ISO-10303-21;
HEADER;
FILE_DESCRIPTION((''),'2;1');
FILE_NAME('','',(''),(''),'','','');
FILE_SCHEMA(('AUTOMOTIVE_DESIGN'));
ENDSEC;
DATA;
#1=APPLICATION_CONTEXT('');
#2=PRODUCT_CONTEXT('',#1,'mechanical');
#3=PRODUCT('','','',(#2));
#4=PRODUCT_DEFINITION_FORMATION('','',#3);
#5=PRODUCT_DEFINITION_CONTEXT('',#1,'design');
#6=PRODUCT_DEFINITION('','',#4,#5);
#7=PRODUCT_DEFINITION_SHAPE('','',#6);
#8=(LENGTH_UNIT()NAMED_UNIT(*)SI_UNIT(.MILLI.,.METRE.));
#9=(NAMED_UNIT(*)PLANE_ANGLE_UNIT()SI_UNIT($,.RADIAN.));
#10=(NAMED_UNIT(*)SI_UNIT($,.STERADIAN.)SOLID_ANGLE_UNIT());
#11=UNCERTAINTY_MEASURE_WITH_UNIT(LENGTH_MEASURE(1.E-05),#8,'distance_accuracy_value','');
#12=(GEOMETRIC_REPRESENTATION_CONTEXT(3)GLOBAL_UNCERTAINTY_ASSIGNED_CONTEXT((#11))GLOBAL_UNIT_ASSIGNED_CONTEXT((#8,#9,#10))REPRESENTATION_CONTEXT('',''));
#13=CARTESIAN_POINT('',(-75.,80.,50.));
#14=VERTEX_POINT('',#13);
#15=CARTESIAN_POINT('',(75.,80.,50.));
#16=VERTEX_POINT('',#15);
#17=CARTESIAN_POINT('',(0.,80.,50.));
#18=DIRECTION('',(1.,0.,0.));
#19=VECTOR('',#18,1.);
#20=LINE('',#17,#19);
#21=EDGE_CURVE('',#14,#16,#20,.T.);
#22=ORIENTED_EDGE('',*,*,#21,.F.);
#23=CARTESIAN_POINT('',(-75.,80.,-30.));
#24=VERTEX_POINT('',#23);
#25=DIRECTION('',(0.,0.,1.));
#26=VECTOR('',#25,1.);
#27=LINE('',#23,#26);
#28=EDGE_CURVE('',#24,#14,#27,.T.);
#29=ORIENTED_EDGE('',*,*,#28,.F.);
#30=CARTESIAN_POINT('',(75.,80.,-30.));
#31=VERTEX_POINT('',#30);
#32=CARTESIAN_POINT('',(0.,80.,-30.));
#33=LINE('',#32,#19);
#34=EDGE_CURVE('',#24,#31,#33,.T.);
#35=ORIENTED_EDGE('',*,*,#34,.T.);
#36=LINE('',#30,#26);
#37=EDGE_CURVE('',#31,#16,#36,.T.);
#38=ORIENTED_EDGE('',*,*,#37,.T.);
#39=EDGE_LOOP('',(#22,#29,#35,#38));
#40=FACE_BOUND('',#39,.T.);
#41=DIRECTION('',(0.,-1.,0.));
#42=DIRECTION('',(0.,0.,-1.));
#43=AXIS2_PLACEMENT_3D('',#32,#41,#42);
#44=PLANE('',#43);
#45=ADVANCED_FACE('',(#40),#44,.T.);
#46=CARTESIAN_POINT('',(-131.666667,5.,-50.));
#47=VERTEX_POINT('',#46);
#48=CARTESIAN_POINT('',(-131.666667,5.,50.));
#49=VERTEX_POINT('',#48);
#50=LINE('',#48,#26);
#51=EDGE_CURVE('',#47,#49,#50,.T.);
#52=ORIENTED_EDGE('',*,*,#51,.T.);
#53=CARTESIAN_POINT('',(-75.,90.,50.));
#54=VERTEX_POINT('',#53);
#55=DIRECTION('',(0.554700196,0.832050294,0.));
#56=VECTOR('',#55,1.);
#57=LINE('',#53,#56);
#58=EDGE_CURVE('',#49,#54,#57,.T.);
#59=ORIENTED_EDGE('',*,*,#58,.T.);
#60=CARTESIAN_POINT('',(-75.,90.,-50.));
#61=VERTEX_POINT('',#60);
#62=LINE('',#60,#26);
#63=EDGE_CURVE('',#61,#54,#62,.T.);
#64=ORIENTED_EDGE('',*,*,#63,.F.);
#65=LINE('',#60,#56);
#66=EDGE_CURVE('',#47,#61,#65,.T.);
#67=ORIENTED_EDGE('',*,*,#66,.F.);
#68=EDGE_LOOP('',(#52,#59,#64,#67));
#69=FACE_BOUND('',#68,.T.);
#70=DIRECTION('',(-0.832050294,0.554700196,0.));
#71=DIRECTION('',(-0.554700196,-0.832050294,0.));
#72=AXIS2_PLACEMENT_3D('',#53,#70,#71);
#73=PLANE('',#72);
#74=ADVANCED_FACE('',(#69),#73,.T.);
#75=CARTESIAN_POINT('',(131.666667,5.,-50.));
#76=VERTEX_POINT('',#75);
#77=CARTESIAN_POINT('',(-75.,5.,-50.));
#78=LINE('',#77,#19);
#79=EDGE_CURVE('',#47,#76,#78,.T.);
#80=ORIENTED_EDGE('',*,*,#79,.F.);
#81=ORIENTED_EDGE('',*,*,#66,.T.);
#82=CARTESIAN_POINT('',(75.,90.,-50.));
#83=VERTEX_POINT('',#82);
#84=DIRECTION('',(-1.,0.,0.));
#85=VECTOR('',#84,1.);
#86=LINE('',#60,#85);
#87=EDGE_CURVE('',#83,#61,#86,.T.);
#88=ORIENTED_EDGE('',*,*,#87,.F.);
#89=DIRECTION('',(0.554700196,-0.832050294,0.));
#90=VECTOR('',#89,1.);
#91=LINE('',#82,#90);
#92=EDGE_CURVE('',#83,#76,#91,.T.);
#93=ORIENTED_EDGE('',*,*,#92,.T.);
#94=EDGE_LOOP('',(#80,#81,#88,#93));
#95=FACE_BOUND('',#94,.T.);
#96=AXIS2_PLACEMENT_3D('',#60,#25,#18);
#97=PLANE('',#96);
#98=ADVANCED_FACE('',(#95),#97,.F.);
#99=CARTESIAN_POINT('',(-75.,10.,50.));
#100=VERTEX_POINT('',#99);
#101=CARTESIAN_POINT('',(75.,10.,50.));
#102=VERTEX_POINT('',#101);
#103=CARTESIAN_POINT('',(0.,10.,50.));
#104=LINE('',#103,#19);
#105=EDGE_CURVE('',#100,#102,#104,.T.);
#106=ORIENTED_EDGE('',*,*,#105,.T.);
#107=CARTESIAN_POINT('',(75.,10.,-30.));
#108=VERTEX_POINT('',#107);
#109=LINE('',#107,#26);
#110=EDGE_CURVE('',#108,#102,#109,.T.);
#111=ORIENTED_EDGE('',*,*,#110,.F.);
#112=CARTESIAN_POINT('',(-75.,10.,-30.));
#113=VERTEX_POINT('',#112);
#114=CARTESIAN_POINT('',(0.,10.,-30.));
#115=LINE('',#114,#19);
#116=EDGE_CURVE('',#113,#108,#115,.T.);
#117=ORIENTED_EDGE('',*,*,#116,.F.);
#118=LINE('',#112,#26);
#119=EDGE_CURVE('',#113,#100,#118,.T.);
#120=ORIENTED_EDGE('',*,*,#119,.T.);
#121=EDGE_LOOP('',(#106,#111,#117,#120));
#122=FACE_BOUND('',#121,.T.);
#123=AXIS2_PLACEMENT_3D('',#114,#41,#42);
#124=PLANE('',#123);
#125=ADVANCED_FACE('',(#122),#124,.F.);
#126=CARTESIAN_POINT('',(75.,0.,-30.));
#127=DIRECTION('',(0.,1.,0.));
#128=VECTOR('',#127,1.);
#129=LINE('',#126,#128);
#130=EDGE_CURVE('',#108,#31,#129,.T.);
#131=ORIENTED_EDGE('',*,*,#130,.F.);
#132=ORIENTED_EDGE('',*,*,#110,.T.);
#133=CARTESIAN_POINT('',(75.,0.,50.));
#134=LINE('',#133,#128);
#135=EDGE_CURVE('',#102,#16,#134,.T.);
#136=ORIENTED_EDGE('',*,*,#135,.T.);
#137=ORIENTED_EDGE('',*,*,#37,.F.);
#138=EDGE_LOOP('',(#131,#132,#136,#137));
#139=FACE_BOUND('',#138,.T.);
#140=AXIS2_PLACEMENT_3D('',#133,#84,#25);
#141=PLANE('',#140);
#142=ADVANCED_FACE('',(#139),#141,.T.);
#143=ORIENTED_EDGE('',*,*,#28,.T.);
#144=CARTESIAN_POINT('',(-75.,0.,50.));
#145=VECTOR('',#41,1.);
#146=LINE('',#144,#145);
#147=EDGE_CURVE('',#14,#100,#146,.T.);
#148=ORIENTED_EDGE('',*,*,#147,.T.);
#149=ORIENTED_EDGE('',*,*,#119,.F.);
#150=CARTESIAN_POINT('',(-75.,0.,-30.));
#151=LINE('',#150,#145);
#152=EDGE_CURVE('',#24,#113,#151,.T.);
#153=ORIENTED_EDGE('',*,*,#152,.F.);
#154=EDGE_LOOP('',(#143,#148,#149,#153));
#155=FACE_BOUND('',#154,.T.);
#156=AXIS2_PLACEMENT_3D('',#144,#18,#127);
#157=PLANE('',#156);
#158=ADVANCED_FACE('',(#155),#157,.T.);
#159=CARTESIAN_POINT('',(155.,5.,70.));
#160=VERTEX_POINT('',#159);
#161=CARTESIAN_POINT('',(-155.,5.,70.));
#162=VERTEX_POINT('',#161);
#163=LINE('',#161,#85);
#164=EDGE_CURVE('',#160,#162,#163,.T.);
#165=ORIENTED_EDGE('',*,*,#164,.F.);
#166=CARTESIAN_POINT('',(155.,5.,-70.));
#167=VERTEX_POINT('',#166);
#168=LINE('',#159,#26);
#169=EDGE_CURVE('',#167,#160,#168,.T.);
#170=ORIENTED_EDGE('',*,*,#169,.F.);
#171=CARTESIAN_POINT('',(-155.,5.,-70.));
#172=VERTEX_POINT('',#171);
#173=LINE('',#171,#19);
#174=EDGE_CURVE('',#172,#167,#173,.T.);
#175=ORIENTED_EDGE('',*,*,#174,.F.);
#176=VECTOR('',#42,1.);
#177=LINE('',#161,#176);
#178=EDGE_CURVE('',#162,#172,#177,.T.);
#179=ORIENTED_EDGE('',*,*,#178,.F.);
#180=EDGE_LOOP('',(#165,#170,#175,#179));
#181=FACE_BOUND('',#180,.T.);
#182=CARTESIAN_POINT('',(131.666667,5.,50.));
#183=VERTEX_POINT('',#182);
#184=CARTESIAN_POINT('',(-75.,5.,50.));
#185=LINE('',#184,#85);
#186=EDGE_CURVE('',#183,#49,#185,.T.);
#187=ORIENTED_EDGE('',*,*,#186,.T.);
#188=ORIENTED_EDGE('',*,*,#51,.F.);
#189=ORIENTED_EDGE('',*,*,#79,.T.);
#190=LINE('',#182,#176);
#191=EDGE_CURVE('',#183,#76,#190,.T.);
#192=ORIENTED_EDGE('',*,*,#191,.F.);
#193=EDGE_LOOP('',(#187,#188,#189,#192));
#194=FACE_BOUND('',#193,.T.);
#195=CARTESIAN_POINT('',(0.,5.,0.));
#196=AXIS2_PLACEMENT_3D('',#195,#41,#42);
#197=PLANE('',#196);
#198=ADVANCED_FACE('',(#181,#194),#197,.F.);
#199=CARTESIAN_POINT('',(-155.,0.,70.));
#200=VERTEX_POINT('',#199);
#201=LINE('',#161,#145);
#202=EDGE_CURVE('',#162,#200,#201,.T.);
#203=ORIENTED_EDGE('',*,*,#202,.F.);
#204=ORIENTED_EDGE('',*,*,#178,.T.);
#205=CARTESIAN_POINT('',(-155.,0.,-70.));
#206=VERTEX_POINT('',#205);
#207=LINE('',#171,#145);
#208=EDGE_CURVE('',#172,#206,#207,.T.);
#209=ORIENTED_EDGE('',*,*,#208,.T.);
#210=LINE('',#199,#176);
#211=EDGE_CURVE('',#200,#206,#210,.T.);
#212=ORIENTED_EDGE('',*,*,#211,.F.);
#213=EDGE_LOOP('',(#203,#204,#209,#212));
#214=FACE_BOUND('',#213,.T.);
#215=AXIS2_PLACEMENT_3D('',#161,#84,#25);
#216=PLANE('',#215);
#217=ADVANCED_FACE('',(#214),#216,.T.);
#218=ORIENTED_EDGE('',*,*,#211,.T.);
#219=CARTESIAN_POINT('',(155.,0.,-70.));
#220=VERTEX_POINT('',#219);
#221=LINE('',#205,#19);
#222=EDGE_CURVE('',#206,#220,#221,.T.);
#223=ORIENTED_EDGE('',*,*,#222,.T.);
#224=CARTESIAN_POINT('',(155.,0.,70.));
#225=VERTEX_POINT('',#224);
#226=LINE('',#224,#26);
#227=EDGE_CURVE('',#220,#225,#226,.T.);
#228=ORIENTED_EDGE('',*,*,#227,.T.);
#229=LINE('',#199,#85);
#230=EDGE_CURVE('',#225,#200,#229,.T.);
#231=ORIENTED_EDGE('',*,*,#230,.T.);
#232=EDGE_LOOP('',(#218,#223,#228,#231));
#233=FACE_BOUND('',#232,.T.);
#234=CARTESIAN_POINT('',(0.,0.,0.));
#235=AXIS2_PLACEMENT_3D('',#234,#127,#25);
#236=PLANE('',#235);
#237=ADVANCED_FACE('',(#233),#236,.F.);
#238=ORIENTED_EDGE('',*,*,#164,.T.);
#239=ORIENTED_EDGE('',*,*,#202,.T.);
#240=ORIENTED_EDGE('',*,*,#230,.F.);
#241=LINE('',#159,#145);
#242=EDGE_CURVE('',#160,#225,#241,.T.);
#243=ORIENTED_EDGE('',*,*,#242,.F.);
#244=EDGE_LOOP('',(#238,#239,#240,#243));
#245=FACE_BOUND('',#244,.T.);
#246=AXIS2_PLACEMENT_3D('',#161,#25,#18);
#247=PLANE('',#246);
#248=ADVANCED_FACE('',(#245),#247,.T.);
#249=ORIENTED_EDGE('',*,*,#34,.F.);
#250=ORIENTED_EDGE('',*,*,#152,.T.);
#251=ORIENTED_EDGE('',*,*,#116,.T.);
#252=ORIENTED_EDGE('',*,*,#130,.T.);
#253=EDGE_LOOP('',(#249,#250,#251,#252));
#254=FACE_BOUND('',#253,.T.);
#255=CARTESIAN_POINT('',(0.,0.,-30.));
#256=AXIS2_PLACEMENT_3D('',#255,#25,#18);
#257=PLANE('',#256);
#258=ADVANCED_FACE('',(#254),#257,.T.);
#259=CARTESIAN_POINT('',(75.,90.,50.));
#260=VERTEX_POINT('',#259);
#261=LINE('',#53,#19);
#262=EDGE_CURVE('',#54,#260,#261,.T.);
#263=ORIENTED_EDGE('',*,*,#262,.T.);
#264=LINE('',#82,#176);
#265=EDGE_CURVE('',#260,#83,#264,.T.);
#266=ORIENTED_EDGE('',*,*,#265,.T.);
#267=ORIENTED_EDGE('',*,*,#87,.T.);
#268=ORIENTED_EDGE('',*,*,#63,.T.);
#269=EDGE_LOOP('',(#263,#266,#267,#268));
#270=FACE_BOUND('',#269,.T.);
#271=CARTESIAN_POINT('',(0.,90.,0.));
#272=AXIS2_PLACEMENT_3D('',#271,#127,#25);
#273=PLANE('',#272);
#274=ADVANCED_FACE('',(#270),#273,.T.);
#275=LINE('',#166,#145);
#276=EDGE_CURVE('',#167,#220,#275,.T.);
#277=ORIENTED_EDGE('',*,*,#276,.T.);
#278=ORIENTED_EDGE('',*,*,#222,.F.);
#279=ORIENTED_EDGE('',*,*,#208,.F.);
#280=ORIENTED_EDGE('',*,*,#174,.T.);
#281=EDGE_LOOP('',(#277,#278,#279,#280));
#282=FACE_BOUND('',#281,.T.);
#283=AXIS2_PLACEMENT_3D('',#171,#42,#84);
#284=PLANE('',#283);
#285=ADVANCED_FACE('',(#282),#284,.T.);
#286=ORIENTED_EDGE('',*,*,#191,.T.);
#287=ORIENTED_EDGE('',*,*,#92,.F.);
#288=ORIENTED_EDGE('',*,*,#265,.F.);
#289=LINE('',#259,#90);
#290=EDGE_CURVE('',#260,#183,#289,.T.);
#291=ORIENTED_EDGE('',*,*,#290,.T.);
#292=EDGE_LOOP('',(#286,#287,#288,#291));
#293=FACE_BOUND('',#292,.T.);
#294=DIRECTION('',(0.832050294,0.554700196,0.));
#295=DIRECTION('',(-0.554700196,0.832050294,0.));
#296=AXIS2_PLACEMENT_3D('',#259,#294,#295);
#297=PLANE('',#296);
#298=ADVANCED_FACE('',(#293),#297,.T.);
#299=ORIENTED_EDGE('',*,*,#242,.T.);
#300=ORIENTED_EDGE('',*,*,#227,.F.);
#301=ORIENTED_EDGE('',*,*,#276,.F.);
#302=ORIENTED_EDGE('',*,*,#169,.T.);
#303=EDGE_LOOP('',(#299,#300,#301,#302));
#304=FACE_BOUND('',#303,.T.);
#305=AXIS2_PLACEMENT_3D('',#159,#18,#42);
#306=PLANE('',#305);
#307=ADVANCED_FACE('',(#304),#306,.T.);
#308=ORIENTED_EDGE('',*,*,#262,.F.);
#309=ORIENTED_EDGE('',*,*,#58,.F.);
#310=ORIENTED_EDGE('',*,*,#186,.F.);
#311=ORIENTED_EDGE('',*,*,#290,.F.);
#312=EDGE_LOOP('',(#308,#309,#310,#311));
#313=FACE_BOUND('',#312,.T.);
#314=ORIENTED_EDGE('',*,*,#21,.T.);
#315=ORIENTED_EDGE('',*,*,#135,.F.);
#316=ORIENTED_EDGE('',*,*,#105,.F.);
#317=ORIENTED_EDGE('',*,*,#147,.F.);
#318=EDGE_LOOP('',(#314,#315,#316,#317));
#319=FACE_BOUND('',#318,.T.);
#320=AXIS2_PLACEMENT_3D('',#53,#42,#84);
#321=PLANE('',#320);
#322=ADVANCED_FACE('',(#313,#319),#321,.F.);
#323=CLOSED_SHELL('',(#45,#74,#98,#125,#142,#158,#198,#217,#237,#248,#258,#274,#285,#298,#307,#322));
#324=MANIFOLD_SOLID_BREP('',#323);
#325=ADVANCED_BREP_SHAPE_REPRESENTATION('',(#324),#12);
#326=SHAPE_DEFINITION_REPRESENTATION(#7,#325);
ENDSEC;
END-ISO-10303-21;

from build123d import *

# Parameters (mm, degrees)
SKETCH_2_W          = 150
SKETCH_2_H          = 100
EXTRUDE_1_DEPTH     = 90
SKETCH_3_W          = 150
SKETCH_3_H          = 70
CUT_EXTRUDE_1_DEPTH = 80
EXTRUDE_2_DEPTH     = 100
EXTRUDE_3_DEPTH     = 100
SKETCH_7_W          = 310
SKETCH_7_H          = 140
EXTRUDE_4_DEPTH     = 5


with BuildPart() as part:
    # 草图2 → 凸台-拉伸1 (new body)
    with BuildSketch(Plane(origin=(0, 0, 0), x_dir=(1, 0, 0), z_dir=(0, 1, 0))):
        Rectangle(SKETCH_2_W, SKETCH_2_H)
    extrude(amount=EXTRUDE_1_DEPTH)

    # 草图3 → 切除-拉伸1 (cut)
    with BuildSketch(Plane.XY.offset(50)):
        with Locations((0, 45)):
            Rectangle(SKETCH_3_W, SKETCH_3_H)
    extrude(amount=-CUT_EXTRUDE_1_DEPTH, mode=Mode.SUBTRACT)

    # 草图5 → 凸台-拉伸2 (add)
    with BuildSketch(Plane(origin=(0, 0, -50), x_dir=(-1, 0, 0), z_dir=(0, 0, -1))):
        Polygon((-75, 90), (-135, 0), (-75, 0), align=None)
    extrude(amount=-EXTRUDE_2_DEPTH)

    # 草图6 → 凸台-拉伸3 (add)
    with BuildSketch(Plane(origin=(0, 0, -50), x_dir=(-1, 0, 0), z_dir=(0, 0, -1))):
        Polygon((75, 90), (135, 0), (75, 0), align=None)
    extrude(amount=-EXTRUDE_3_DEPTH)

    # 草图7 → 凸台-拉伸4 (add)
    with BuildSketch(Plane.XZ):
        Rectangle(SKETCH_7_W, SKETCH_7_H)
    extrude(amount=-EXTRUDE_4_DEPTH)


solid = part.part
